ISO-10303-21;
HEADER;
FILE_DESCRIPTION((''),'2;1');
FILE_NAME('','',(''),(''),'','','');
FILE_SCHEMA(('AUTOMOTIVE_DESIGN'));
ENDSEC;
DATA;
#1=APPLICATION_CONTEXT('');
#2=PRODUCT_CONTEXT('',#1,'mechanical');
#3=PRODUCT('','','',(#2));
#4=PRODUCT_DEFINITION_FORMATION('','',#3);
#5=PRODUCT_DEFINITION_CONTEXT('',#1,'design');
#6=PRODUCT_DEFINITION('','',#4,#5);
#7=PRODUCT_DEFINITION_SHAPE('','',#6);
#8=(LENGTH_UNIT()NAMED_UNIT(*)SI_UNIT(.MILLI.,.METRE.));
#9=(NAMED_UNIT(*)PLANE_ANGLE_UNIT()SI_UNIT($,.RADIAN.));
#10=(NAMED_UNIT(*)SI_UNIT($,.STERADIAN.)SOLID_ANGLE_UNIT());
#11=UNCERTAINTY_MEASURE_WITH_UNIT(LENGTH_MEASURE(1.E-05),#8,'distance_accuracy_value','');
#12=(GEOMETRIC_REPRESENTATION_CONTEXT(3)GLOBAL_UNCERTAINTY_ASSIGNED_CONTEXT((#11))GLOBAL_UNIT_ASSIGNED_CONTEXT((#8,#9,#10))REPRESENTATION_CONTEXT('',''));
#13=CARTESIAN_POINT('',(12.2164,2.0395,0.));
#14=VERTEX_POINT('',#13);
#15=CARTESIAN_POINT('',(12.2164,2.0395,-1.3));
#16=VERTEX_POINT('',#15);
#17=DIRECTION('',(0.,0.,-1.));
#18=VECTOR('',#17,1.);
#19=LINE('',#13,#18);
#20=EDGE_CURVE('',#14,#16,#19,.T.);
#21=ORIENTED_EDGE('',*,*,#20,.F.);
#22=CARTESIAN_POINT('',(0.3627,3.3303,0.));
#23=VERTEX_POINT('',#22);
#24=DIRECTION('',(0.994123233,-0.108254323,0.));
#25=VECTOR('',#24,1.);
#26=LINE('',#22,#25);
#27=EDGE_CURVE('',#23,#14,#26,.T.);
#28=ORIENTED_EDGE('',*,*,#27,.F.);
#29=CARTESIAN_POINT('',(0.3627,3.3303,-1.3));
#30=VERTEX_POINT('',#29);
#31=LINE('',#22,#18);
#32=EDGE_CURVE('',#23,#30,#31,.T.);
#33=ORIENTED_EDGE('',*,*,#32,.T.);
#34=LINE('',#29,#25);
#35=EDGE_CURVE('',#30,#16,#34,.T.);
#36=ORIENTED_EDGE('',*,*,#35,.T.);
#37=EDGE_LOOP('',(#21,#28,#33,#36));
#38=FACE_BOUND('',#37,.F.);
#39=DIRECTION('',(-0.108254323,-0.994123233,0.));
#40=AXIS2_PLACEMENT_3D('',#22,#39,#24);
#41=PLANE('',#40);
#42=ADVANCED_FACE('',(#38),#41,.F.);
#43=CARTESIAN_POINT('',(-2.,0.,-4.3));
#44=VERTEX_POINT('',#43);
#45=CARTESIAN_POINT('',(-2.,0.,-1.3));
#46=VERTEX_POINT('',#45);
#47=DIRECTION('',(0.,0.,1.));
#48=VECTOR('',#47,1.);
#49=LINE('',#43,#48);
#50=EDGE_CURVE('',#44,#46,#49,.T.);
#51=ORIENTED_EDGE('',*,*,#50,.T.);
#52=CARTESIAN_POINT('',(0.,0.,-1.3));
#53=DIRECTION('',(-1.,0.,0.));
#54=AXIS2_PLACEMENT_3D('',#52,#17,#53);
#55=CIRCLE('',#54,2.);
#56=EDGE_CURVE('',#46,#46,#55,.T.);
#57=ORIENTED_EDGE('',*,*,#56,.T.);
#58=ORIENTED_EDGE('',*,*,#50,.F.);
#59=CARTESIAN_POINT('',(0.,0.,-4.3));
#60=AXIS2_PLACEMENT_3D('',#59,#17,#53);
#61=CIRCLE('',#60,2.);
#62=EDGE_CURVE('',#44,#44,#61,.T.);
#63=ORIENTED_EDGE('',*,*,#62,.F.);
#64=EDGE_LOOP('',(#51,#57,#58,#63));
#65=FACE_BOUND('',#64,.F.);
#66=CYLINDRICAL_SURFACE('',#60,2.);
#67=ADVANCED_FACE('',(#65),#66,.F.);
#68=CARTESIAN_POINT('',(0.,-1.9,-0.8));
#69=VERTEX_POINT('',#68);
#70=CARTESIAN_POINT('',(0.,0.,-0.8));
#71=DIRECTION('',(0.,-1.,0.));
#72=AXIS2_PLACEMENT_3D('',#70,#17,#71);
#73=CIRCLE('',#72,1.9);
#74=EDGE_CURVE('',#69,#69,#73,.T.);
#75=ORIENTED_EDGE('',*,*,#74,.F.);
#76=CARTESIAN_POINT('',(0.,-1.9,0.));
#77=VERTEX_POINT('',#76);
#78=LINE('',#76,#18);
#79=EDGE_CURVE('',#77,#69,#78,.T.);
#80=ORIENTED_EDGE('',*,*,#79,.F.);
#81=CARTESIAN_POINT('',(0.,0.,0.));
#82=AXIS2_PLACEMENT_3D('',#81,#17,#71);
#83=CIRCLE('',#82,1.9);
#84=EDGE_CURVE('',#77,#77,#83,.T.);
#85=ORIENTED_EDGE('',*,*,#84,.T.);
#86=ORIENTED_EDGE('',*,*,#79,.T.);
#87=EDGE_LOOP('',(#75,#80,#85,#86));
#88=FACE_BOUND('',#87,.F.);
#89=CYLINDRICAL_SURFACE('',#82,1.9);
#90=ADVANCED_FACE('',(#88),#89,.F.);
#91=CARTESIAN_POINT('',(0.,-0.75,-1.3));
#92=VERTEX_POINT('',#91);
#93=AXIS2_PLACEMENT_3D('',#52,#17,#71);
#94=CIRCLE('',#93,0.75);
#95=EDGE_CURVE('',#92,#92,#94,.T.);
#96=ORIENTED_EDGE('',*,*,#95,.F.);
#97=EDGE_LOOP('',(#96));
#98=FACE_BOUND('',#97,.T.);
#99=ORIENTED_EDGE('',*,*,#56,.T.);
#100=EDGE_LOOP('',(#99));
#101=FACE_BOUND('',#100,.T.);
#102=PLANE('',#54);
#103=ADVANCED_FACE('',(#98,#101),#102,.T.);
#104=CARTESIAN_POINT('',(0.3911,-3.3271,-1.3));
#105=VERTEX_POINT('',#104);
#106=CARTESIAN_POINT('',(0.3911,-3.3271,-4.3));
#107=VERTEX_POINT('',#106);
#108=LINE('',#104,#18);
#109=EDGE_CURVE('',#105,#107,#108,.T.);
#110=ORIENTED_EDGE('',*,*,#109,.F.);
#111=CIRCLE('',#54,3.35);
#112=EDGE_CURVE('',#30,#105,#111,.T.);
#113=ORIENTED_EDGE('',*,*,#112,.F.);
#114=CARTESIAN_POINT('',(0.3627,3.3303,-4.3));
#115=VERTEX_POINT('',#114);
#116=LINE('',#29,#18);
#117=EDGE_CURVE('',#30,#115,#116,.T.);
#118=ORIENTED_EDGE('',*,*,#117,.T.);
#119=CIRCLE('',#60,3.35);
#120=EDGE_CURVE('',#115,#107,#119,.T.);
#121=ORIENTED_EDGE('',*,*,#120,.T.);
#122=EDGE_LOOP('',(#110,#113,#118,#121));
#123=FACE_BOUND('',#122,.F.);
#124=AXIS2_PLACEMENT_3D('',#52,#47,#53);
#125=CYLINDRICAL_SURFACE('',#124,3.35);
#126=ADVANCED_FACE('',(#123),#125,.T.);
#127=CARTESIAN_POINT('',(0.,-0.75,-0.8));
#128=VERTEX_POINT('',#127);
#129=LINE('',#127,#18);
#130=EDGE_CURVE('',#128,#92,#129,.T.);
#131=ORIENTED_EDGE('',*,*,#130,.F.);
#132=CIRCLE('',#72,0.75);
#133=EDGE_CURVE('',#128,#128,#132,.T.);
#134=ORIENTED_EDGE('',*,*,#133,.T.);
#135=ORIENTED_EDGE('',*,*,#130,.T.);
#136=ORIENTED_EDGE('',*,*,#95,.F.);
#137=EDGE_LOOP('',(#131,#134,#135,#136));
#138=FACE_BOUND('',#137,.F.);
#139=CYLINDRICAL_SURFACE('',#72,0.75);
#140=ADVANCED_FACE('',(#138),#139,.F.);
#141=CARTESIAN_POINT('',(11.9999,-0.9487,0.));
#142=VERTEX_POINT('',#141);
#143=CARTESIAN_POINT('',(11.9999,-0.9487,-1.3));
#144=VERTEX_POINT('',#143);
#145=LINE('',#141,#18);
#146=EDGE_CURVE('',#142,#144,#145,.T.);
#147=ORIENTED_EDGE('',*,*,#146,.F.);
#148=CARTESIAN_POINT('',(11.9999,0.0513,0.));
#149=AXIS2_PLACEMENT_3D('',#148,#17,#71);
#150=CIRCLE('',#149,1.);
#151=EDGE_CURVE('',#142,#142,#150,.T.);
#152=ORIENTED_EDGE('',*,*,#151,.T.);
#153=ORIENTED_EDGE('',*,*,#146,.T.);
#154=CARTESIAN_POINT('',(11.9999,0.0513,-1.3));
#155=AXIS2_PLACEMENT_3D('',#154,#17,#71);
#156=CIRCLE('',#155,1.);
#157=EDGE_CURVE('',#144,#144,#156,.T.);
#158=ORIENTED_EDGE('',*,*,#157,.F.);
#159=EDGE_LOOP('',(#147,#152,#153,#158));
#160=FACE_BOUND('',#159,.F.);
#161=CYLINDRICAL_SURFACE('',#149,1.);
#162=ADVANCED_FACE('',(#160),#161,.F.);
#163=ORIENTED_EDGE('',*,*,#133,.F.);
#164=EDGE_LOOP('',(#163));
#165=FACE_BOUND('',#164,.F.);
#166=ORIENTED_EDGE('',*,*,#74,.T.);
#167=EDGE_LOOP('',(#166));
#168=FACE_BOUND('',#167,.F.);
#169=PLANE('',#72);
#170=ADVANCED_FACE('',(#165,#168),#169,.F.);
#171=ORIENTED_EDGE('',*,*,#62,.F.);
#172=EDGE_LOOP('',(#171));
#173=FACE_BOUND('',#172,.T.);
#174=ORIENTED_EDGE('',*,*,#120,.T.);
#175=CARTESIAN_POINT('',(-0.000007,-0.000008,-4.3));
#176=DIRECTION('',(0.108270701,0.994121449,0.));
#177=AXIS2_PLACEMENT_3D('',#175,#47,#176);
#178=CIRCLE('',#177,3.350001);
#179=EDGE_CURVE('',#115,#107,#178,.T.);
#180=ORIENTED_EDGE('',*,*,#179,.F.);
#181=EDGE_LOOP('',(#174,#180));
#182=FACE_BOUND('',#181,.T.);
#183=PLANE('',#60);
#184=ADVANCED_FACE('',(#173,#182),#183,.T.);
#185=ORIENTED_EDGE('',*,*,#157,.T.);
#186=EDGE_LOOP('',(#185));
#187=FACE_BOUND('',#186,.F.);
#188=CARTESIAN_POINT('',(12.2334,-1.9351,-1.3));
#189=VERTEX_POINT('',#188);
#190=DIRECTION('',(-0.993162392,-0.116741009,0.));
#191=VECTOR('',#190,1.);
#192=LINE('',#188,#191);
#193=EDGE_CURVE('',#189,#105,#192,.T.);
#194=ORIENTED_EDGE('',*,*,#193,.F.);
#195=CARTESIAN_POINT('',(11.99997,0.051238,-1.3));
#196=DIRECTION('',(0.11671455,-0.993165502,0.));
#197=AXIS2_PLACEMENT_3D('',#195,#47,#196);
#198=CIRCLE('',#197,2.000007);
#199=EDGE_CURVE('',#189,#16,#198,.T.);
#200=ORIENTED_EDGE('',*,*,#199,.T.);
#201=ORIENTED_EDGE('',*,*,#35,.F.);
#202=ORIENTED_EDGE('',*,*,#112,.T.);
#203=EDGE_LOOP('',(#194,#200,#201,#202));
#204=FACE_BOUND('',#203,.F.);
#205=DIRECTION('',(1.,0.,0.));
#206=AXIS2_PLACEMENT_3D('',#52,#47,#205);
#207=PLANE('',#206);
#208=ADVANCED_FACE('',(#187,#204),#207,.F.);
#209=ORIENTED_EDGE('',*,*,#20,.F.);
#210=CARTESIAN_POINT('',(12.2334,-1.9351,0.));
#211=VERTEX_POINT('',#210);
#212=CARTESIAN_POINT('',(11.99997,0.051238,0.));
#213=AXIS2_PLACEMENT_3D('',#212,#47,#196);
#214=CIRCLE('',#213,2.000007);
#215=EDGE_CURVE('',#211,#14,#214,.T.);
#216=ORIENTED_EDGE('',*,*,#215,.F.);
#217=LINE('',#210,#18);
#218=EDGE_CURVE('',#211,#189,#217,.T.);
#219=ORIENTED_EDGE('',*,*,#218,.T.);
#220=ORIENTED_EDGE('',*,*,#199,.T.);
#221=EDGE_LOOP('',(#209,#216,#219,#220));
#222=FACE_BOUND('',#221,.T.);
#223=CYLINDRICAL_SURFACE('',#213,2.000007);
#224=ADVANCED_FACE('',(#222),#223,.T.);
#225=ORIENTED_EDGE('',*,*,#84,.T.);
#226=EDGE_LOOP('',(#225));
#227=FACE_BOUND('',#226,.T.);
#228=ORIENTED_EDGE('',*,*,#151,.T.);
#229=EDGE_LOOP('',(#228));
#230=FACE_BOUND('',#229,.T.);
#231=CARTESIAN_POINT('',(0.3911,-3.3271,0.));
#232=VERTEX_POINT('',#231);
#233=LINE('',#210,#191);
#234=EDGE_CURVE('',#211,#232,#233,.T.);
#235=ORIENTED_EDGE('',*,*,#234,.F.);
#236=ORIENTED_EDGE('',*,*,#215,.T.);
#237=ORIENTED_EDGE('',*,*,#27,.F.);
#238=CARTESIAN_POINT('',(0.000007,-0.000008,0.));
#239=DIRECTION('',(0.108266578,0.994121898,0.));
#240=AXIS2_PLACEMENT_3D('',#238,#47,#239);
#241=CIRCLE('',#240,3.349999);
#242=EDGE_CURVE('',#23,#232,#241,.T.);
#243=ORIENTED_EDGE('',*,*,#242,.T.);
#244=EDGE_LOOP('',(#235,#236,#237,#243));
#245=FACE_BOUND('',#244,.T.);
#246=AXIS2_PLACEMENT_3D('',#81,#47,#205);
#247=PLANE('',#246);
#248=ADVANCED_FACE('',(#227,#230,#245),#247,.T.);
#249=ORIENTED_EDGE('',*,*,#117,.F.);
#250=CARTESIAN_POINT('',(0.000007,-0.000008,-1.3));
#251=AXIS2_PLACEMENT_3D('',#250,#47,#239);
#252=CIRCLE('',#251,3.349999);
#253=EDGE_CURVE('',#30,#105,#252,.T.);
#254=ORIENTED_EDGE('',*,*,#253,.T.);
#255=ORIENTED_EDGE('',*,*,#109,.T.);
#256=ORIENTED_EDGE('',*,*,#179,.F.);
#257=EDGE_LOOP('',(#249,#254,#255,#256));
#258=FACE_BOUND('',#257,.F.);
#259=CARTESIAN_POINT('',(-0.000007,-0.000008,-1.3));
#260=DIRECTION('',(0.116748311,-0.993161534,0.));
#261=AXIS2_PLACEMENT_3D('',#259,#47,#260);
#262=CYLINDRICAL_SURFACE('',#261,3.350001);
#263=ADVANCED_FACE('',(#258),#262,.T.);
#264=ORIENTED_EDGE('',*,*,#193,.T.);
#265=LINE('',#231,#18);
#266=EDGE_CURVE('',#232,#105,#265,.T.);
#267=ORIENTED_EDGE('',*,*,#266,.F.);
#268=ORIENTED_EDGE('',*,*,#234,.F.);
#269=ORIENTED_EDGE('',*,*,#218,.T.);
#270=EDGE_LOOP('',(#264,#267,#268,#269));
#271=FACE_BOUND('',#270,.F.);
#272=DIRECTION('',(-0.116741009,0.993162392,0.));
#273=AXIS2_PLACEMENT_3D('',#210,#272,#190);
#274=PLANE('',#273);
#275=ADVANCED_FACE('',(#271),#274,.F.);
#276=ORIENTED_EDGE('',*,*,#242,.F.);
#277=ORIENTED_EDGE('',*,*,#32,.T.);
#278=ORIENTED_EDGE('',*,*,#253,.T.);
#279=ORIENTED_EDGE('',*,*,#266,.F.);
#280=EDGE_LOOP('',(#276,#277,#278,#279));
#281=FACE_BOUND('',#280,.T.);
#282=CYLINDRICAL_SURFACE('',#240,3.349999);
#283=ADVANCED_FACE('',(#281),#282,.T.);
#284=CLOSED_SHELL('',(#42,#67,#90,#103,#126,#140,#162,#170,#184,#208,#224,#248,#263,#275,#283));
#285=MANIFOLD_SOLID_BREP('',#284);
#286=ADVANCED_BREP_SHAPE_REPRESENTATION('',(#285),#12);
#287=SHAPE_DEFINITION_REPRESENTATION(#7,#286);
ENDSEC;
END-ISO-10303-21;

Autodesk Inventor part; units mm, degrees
ref_plane "YZ Plane" through (0, 0, 0) normal (1, 0, 0) x (0, 1, 0)
ref_plane "XZ Plane" through (0, 0, 0) normal (0, 1, 0) x (-1, 0, 0)
ref_plane "XY Plane" through (0, 0, 0) normal (0, 0, 1) x (1, 0, 0)
sketch "Sketch1" plane through (0, 0, 0) normal (0, 0, 1) x (1, 0, 0)
  arc A0 (0.3627, 3.3303) -> (0.3911, -3.3271) centre (0, 0) ccw
  arc A1 (12.2334, -1.9351) -> (12.2164, 2.0395) centre (11.9999, 0.0513) ccw
  line L0 (0.3627, 3.3303) -> (12.2164, 2.0395)
  line L1 (12.2334, -1.9351) -> (0.3911, -3.3271)
  dimension "d0" = 6.7
  dimension "d2" = 4
  dimension "d3" = 12
extrude "Extrusion1" add sketch "Sketch1" against normal blind 1.3
sketch "Sketch2" plane through (0, 0, -1.3) normal (0, 0, -1) x (-1, 0, 0)
  arc A0 (-0.3911, -3.3271) -> (-0.3627, 3.3303) centre (0, 0) ccw projected
  circle A1 centre (0, 0) radius 3.35
  dimension "d6" = 6.7
extrude "Extrusion2" add sketch "Sketch2" along normal blind 3
sketch "Sketch3" plane through (0, 0, 0) normal (0, 0, 1) x (1, 0, 0)
  arc A0 (0.3627, 3.3303) -> (0.3911, -3.3271) centre (0, 0) ccw projected
hole "Hole1" at (0, 0, 0) direction (0, 0, -1) diameter 1.5 end through all counterbore diameter 3.8 counterbore depth 0.8
sketch "Sketch4" plane through (0, 0, -4.3) normal (0, 0, -1) x (-1, 0, 0)
  circle A0 centre (0, 0) radius 0.75 projected
  circle A1 centre (0, 0) radius 3.35 projected
  circle A2 centre (0, 0) radius 2
  dimension "d17" = 4
extrude "Extrusion3" cut sketch "Sketch4" against normal blind 3 contours A2
sketch "Sketch5" plane through (0, 0, 0) normal (0, 0, 1) x (1, 0, 0)
  arc A0 (12.2334, -1.9351) -> (12.2164, 2.0395) centre (11.9999, 0.0513) ccw projected
hole "Hole2" at (11.9999, 0.0513, 0) direction (0, 0, -1) diameter 2 end through all
properties part number "Servo Arm"
